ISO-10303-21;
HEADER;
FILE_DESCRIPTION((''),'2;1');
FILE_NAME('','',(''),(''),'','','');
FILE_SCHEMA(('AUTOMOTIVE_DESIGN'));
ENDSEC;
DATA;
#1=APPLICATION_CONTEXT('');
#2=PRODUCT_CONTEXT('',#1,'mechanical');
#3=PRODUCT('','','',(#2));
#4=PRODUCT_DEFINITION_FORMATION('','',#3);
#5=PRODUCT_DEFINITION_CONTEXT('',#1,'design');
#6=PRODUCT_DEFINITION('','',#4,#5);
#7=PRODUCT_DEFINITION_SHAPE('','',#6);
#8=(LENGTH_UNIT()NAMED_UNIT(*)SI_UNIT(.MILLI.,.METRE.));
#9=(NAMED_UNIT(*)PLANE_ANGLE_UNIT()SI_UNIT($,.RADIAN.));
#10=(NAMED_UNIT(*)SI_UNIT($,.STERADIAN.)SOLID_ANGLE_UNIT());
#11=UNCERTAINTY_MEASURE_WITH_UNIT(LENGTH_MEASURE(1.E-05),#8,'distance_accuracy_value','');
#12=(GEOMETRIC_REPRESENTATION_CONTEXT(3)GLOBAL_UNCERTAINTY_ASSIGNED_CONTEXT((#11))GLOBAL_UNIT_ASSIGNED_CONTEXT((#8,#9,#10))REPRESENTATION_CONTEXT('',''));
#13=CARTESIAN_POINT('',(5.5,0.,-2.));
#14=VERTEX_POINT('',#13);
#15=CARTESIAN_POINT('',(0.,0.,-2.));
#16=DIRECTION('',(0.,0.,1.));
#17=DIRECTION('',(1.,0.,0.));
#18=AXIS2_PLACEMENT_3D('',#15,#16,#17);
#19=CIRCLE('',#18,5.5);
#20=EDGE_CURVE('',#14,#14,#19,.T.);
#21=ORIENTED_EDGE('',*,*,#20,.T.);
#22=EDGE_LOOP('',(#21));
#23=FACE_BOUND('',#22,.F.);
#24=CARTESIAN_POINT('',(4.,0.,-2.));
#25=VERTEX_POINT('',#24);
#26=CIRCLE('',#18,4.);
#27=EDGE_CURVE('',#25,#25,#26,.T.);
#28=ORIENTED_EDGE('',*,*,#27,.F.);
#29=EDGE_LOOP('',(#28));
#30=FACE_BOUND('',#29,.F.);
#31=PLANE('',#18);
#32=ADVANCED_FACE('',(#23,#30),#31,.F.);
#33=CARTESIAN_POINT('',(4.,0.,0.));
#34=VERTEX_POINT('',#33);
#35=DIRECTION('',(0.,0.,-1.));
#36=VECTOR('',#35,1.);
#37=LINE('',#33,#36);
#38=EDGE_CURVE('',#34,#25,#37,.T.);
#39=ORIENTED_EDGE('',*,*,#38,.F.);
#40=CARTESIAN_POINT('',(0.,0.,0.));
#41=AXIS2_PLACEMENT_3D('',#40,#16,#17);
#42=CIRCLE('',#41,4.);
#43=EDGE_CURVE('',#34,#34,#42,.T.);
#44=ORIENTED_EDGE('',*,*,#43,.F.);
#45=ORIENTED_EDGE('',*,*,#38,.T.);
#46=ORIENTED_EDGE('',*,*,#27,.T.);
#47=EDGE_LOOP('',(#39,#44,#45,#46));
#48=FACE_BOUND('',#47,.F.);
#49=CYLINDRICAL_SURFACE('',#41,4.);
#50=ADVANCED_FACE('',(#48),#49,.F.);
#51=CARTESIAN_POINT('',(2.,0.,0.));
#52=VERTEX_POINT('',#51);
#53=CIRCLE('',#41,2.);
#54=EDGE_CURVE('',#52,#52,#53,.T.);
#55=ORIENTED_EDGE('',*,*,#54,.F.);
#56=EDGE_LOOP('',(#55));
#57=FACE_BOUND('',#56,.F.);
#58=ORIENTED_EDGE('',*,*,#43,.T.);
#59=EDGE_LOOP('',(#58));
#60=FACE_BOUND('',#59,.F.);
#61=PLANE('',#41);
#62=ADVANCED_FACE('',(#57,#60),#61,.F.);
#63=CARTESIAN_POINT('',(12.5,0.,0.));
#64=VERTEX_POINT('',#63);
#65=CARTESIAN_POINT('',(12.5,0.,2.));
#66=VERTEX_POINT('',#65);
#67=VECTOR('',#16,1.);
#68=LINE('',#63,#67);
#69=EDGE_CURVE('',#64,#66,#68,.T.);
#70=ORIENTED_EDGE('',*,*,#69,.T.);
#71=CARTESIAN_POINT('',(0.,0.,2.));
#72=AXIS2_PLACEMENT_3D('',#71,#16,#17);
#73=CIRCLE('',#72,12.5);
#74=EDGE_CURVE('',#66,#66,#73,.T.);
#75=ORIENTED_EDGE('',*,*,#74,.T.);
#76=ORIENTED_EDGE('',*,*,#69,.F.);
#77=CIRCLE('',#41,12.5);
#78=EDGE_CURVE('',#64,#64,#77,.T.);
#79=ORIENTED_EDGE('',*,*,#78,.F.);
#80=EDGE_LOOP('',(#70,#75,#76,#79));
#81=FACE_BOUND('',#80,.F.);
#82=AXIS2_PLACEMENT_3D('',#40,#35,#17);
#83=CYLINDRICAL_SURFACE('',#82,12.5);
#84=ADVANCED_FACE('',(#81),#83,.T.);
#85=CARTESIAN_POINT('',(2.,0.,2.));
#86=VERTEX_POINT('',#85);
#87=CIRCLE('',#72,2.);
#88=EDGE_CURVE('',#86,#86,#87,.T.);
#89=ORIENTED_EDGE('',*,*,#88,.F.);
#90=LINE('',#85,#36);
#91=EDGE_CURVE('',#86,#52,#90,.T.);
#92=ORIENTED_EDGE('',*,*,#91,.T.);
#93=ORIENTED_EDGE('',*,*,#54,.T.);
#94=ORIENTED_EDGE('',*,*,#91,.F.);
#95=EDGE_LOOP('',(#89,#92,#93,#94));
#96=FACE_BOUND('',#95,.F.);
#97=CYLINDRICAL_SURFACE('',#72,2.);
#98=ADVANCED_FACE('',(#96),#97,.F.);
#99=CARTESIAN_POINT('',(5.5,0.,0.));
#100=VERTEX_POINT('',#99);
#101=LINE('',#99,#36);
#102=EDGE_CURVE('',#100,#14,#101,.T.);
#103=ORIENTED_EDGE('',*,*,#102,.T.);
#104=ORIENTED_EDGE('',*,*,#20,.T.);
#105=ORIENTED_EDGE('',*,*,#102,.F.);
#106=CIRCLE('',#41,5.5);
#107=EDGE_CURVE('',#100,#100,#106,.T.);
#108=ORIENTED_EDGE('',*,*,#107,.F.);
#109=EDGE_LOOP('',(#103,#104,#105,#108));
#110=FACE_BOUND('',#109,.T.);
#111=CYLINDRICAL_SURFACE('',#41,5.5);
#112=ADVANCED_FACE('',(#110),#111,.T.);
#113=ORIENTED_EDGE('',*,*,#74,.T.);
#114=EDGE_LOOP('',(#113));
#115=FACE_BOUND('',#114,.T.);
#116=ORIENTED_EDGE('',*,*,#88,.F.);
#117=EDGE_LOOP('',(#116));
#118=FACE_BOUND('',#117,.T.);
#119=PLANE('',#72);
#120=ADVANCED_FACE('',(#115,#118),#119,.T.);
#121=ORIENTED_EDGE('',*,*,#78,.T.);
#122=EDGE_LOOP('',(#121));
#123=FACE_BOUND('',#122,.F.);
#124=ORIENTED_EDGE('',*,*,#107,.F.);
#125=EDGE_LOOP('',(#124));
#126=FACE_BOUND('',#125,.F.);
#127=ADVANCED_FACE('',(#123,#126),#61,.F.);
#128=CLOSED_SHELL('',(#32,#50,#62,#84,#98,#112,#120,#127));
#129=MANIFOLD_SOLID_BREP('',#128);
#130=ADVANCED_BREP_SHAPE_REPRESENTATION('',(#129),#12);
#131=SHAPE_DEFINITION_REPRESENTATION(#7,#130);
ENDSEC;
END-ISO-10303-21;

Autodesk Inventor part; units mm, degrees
ref_plane "YZ Plane" through (0, 0, 0) normal (1, 0, 0) x (0, 1, 0)
ref_plane "XZ Plane" through (0, 0, 0) normal (0, 1, 0) x (-1, 0, 0)
ref_plane "XY Plane" through (0, 0, 0) normal (0, 0, 1) x (1, 0, 0)
sketch "Sketch1" plane through (0, 0, 0) normal (0, 0, 1) x (1, 0, 0)
  circle A0 centre (0, 0) radius 12.5
  circle A1 centre (0, 0) radius 4
  circle A2 centre (0, 0) radius 5.5
  dimension "d0" = 25
  dimension "d1" = 8
  dimension "d2" = 11
extrude "Extrusion1" add sketch "Sketch1" against normal blind 2 contours A2
extrude "Extrusion2" add sketch "Sketch1" along normal blind 2 contours A0 | A1 | A2
sketch "Sketch2" plane through (0, 0, 2) normal (0, 0, 1) x (1, 0, 0)
  circle A0 centre (0, 0) radius 2
  dimension "d7" = 4
extrude "Extrusion3" cut sketch "Sketch2" against normal up to next
properties part number "Stepper Cap"
